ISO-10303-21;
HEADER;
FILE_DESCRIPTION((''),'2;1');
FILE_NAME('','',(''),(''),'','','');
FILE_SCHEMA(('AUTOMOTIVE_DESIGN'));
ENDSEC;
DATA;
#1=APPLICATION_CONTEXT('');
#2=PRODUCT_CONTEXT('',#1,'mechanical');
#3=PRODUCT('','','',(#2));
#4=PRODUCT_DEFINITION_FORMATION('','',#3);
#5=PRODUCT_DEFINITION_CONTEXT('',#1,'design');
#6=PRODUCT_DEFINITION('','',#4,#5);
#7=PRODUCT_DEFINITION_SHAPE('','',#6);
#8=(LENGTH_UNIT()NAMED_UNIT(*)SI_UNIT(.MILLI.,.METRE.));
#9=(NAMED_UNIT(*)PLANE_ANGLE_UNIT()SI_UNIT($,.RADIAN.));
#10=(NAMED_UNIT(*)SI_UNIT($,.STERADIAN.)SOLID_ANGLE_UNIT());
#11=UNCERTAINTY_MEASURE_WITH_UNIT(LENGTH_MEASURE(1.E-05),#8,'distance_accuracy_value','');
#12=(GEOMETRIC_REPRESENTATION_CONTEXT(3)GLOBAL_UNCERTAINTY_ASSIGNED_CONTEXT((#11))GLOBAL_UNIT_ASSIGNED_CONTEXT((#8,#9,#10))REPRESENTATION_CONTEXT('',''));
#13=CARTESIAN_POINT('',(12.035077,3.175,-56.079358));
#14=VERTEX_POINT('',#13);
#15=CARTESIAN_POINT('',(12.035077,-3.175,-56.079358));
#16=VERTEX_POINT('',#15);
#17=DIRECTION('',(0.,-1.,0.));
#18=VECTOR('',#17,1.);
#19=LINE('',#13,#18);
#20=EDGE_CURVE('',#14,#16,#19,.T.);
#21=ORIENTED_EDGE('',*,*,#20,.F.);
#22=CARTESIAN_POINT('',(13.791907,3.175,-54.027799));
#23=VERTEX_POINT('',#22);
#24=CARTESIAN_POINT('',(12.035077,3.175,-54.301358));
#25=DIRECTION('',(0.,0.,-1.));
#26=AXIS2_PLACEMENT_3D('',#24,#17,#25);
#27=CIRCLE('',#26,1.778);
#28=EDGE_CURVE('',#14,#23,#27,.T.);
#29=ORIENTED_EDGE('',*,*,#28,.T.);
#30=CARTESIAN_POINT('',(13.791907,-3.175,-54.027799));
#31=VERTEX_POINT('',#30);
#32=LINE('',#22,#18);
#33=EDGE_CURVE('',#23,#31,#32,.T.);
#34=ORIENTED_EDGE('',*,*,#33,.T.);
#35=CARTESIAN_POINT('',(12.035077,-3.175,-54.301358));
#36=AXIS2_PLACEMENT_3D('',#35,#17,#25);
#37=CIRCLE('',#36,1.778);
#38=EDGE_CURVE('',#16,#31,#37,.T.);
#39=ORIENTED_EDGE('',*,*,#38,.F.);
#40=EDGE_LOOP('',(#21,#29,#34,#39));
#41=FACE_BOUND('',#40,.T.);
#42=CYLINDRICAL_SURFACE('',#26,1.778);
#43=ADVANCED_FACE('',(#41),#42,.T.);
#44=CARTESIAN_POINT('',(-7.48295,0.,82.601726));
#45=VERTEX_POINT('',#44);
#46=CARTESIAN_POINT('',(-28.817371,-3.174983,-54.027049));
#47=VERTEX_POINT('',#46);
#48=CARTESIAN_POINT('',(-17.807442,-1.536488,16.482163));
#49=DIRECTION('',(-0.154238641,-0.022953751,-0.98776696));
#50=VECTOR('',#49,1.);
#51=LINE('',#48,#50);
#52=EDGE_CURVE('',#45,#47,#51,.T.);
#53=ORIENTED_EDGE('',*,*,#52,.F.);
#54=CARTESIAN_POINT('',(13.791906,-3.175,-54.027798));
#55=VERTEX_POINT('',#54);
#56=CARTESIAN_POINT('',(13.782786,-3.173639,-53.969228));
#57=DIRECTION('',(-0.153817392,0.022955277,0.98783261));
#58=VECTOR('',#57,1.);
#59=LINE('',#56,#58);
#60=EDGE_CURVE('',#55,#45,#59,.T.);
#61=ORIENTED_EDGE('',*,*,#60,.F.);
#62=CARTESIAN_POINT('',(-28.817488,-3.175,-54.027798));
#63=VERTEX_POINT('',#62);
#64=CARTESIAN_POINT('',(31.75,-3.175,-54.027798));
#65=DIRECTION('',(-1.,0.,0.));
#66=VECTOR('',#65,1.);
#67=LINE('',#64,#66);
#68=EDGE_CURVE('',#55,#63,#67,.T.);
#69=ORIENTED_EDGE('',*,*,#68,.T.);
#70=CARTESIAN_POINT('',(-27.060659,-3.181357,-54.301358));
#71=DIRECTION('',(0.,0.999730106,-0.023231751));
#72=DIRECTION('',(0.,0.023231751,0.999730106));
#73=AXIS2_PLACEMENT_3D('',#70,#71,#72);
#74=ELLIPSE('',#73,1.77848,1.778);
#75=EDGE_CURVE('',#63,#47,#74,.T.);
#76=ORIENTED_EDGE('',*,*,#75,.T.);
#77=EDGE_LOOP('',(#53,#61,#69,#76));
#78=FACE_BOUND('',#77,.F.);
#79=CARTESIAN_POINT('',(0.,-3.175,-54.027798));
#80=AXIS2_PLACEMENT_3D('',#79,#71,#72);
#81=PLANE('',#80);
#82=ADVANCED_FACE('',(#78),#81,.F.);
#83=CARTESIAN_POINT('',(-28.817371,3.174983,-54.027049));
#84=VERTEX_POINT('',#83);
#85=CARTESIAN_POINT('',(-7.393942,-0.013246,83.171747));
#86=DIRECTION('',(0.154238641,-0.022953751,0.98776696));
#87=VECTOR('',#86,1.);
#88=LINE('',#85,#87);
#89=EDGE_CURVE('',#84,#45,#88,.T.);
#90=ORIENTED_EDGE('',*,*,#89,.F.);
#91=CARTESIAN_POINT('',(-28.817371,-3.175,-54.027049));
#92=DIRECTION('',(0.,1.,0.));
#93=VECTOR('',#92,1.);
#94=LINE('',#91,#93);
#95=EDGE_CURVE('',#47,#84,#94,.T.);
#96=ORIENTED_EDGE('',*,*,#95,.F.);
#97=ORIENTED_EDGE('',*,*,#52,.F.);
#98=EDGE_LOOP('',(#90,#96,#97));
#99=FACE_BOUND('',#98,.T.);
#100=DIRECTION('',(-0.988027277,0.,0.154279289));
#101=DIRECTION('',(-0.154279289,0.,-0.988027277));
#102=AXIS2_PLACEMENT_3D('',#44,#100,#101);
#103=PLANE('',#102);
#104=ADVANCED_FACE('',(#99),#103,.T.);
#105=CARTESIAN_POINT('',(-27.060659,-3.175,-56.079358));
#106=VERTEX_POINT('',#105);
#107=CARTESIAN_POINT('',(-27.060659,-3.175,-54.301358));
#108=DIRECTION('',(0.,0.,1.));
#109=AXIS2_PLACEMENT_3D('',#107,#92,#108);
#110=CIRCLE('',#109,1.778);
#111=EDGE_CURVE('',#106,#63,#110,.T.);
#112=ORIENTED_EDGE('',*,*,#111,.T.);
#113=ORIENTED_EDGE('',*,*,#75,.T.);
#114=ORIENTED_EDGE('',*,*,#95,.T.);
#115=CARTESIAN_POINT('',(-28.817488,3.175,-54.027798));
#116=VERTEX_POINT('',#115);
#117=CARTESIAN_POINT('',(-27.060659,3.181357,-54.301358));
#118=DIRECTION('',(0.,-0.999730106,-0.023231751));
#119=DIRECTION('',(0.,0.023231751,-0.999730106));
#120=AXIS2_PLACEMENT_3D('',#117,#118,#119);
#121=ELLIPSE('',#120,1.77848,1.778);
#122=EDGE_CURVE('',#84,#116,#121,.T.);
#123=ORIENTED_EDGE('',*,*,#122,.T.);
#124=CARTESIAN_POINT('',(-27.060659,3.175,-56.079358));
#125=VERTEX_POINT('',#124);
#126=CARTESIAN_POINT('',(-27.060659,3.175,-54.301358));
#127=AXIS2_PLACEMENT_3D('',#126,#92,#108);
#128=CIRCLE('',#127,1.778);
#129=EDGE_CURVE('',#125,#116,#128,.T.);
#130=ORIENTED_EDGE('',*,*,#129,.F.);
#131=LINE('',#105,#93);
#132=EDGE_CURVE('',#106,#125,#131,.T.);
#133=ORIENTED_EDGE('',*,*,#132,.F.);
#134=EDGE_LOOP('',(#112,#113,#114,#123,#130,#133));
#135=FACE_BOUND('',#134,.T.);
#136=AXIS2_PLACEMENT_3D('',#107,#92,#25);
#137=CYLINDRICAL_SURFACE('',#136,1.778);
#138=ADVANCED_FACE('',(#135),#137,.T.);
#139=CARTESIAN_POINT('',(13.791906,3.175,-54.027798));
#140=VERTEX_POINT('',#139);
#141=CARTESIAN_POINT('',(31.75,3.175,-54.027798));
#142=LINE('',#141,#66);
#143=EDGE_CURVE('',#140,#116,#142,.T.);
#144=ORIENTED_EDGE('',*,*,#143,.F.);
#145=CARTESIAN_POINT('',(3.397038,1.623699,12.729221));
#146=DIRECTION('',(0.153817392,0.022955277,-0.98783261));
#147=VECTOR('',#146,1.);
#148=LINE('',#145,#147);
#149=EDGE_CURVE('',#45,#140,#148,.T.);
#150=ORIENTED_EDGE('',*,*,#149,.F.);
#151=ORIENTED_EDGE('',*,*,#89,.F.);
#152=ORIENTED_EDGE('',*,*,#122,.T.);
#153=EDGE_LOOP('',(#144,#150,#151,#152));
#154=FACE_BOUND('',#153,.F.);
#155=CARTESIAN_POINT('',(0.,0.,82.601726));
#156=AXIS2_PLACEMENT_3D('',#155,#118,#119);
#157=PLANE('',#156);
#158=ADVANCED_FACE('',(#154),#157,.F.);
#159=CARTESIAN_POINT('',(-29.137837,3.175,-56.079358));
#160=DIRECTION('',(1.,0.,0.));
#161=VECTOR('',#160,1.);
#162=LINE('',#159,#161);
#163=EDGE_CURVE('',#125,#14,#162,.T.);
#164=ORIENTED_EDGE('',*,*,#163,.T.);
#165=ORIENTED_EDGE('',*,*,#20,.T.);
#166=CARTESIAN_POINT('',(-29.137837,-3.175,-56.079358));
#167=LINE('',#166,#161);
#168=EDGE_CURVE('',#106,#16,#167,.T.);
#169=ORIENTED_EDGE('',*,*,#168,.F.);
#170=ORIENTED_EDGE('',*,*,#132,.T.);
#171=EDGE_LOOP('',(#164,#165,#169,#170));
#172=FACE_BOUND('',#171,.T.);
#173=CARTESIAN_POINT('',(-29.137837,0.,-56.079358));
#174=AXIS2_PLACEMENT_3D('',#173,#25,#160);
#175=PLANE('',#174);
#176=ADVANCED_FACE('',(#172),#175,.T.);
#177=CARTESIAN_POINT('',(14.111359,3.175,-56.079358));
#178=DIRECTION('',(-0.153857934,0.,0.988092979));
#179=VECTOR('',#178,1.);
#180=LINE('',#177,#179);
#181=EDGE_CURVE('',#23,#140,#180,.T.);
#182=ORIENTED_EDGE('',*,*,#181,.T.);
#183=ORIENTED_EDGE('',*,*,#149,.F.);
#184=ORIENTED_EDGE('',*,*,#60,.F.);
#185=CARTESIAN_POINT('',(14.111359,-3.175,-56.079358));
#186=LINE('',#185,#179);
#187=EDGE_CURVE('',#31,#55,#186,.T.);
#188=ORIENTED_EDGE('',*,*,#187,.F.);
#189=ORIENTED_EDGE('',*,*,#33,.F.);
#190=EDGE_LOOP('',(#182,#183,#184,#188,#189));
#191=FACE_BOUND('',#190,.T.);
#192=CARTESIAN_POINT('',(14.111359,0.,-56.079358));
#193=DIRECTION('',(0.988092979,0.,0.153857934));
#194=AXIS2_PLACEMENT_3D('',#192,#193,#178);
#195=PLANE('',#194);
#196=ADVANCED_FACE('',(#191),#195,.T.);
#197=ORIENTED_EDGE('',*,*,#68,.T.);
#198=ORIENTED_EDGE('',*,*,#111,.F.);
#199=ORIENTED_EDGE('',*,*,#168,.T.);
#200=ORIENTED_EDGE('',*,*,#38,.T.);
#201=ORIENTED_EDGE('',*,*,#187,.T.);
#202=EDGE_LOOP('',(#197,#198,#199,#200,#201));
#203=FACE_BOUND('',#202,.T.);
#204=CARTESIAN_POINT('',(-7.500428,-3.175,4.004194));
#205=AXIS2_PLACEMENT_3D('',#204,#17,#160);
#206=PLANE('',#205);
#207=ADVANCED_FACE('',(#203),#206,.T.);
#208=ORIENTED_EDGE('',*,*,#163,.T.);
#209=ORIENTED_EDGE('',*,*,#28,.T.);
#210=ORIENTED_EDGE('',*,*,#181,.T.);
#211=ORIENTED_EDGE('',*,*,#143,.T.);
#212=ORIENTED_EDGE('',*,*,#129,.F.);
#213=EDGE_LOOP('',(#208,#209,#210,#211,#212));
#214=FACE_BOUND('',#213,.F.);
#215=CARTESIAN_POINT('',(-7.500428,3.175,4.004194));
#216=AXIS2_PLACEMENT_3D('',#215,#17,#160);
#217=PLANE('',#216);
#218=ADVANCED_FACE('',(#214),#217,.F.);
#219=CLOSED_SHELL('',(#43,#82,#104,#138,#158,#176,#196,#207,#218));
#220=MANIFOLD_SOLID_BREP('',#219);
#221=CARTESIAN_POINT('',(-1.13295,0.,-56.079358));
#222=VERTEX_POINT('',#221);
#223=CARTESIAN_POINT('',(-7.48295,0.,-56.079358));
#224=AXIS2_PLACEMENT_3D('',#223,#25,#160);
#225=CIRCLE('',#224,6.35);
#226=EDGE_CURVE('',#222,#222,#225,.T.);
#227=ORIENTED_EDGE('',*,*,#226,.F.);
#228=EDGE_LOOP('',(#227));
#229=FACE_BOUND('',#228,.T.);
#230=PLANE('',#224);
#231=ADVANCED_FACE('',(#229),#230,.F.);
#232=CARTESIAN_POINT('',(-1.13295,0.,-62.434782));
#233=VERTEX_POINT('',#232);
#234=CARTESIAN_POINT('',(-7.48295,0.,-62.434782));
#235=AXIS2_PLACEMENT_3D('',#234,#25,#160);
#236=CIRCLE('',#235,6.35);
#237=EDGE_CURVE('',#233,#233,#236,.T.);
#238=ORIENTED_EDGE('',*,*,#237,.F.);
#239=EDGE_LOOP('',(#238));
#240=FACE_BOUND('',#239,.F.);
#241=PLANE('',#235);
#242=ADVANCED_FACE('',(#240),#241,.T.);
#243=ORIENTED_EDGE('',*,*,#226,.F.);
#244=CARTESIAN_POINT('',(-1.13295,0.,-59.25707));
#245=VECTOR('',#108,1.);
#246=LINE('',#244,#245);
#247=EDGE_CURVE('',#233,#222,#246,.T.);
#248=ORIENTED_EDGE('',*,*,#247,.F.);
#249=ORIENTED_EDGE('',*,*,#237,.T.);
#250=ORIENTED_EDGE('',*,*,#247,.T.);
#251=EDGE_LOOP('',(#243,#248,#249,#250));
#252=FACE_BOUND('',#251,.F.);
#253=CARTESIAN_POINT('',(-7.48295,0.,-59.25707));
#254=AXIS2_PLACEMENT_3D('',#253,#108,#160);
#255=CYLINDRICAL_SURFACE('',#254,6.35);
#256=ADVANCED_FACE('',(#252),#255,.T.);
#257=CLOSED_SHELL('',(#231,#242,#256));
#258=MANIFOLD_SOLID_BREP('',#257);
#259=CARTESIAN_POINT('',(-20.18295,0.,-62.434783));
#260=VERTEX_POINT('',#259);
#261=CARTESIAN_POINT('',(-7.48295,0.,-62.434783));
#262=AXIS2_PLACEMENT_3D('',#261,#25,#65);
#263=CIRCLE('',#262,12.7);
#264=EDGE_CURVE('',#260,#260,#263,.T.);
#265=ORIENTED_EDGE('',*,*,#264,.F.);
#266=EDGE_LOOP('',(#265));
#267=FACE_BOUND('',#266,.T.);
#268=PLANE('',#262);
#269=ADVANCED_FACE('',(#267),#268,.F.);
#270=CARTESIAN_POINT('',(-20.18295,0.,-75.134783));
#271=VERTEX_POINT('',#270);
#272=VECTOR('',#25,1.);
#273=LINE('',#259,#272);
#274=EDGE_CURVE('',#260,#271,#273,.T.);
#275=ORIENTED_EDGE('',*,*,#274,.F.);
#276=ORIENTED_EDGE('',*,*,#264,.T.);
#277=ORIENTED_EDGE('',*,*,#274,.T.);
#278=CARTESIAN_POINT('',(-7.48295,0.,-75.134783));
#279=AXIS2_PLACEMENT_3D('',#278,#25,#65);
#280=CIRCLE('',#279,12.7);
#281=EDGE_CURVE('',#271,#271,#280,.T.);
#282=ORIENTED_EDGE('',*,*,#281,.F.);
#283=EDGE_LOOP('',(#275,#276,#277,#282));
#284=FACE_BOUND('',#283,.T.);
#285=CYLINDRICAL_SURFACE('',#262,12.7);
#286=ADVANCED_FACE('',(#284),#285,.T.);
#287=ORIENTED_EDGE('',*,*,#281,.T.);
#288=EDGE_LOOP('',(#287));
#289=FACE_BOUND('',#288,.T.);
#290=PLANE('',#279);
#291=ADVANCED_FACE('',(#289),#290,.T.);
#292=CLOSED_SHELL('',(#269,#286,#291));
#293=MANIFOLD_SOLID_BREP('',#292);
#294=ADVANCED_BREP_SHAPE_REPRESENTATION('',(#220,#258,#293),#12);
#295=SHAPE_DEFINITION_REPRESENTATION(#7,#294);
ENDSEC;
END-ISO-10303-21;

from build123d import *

# Parameters (mm, degrees)
F0_W     = 6.35
F0_H     = 6.355425
F2_DEPTH = 3.175
F3_R     = 1.778
F5_DEPTH = 31.75


with BuildPart() as f1:
    # F0 (on Front) → F1 (revolve)
    with BuildSketch(Plane.XZ):
        Polygon((-20.18295, -62.434783), (-20.18295, -75.134783), (-7.48295, -75.134783), (-7.48295, -62.434783), (-13.83295, -62.434783), align=None)
        with Locations((-4.30795, -59.25707)):
            Rectangle(F0_W, F0_H)
    revolve(axis=Axis((-7.48295, 0, -65.607071), (0, 0, -1)))


with BuildPart() as f2:
    # F0 (on Front) → F2 (new body, symmetric)
    with BuildSketch(Plane.XZ):
        Polygon((-29.137837, -56.079358), (-13.83295, -56.079358), (-7.48295, -56.079358), (-1.13295, -56.079358), (14.111359, -56.079358), (-7.48295, 82.601726), align=None)
    extrude(amount=F2_DEPTH, both=True)

    # F3
    f3_edges = [f2.edges().sort_by_distance(p)[0] for p in [
        (-29.137837, 0, -56.079358),
        (14.111359, 0, -56.079358),
    ]]
    fillet(f3_edges, radius=F3_R)

    # F4 (on Right) → F5 (cut, symmetric)
    with BuildSketch(Plane.YZ):
        Polygon((-3.175, 82.601726), (-3.175, -54.027798), (0, 82.601726), align=None)
        Polygon((3.175, 82.601726), (0, 82.601726), (3.175, -54.027798), align=None)
    extrude(amount=F5_DEPTH, both=True, mode=Mode.SUBTRACT)


solid = Compound([f1.part, f2.part])
